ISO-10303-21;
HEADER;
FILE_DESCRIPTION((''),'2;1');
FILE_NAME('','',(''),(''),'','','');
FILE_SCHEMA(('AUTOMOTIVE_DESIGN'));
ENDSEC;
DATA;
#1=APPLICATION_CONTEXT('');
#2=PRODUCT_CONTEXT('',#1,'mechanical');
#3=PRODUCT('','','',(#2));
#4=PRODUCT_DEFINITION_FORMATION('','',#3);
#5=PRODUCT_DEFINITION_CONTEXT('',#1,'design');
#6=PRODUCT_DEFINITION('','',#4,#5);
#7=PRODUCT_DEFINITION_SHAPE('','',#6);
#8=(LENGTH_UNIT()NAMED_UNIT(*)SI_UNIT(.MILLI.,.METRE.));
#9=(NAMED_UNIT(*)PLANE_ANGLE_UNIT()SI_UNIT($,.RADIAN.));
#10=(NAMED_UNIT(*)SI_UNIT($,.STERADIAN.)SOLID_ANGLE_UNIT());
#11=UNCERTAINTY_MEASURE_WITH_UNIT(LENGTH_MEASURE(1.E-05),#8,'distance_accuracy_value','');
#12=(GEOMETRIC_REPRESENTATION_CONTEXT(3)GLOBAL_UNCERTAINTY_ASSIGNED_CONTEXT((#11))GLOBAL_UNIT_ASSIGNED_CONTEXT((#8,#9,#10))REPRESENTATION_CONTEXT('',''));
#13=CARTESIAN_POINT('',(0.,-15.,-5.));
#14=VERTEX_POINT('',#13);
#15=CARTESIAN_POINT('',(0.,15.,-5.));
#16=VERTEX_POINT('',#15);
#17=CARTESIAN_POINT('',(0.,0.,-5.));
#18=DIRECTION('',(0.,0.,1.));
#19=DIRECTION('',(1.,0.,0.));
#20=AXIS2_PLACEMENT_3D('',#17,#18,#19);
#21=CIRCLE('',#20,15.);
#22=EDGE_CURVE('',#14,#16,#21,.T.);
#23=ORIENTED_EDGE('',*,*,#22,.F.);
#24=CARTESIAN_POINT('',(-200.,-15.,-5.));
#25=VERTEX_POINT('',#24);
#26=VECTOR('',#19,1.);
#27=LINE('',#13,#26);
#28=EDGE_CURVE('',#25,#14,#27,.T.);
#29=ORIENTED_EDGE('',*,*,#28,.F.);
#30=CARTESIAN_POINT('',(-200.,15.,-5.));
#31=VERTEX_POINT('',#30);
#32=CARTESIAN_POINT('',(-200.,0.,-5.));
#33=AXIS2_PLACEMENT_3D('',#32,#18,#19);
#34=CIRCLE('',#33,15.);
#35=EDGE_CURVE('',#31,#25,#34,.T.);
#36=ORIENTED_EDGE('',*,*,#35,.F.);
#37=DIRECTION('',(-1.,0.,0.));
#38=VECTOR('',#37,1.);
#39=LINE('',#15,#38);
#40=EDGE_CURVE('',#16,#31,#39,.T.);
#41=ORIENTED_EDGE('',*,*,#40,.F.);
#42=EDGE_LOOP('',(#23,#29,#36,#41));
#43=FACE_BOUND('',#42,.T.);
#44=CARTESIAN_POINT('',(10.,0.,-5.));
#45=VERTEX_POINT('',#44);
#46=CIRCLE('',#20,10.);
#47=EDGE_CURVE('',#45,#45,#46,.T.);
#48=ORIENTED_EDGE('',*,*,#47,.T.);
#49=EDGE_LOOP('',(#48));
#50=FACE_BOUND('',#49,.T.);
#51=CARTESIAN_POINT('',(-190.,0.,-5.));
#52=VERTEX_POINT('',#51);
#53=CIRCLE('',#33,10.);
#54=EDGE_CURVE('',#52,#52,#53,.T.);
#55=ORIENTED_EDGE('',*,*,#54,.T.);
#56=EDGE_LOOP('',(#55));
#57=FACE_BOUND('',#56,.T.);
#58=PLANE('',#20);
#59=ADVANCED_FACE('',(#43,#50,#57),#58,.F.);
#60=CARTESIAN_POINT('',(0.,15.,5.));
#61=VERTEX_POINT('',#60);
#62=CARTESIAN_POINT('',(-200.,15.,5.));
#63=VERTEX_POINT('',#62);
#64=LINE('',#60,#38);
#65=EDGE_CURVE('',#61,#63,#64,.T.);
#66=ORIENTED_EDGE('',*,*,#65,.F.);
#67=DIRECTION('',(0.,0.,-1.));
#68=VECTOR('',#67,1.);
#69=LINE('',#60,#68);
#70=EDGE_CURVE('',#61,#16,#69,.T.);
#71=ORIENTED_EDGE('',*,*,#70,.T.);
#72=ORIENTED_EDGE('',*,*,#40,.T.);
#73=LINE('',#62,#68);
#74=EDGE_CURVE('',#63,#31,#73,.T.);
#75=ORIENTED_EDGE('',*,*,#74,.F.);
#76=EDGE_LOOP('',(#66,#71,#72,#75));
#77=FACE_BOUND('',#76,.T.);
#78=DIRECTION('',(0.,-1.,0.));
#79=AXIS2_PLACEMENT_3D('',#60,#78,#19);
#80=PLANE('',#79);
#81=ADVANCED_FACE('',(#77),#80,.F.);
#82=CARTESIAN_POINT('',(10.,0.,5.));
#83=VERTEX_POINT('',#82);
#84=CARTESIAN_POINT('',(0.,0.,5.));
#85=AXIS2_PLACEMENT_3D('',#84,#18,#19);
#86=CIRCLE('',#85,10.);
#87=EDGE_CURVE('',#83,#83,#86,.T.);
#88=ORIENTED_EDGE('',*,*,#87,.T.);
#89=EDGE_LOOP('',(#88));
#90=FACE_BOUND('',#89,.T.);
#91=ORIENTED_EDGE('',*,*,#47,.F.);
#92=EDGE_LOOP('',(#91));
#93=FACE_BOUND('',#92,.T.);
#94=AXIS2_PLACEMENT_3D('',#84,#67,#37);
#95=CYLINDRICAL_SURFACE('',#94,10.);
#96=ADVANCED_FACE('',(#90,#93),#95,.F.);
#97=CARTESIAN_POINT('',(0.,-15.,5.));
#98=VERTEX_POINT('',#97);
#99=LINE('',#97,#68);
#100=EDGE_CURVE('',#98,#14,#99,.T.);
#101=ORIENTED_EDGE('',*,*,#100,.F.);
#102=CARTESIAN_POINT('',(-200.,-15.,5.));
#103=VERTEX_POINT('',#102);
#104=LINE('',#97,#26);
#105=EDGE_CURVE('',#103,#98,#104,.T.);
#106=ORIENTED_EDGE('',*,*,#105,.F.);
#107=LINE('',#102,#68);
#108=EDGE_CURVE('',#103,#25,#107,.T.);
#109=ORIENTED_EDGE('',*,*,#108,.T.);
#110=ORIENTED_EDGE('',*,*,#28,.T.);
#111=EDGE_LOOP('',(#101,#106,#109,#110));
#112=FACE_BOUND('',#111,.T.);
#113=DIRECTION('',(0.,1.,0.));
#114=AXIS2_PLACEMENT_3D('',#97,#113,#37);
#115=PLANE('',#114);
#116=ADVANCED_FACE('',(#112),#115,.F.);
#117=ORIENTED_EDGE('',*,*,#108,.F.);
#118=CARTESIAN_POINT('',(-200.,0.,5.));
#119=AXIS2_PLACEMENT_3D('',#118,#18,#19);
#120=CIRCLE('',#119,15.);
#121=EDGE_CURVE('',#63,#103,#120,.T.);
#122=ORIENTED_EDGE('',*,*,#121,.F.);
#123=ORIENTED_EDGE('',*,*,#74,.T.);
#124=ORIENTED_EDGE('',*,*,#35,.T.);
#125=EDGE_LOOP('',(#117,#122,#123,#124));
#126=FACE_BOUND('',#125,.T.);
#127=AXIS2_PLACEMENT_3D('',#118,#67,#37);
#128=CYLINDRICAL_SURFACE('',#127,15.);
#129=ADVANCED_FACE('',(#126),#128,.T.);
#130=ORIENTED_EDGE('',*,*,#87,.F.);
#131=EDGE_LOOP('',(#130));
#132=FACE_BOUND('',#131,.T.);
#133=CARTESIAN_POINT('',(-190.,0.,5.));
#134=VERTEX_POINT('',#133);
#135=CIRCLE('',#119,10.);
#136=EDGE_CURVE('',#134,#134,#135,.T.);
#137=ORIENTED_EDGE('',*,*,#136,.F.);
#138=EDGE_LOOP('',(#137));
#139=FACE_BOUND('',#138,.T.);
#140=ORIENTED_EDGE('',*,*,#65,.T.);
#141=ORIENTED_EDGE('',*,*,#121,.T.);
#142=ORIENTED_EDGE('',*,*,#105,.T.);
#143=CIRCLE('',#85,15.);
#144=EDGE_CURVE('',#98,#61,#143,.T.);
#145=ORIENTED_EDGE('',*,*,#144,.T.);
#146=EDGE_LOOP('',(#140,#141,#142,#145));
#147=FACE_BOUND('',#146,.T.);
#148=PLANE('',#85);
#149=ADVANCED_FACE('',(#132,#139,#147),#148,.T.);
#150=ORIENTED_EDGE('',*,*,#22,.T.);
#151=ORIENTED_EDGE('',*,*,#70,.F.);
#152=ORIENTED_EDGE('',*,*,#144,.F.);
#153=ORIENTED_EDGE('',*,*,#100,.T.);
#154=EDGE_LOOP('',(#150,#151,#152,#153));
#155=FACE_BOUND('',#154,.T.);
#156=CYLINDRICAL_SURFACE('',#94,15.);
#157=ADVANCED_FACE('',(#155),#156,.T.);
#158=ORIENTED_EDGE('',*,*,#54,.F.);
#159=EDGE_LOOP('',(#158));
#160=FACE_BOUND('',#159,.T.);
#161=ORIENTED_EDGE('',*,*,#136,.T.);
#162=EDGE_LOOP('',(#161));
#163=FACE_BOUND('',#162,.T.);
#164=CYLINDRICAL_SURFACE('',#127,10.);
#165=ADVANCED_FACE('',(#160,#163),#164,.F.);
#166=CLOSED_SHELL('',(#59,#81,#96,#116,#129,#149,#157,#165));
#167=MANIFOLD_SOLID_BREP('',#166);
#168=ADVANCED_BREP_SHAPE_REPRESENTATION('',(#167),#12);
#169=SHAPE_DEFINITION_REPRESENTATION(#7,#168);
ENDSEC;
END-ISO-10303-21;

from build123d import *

# Parameters (mm, degrees)
ESQUISSE1_R        = 10
BOSS_EXTRU_1_DEPTH = 5


with BuildPart() as part:
    # Esquisse1 → Boss.-Extru.1 (new, symmetric)
    with BuildSketch(Plane.XY):
        with BuildLine():
            Line((0, -15), (-200, -15))
            ThreePointArc((-200, -15), (-215, 0), (-200, 15))
            Line((-200, 15), (0, 15))
            ThreePointArc((0, 15), (15, 0), (0, -15))
        make_face()
        with Locations((-200, 0)):
            Circle(ESQUISSE1_R, mode=Mode.SUBTRACT)
        Circle(ESQUISSE1_R, mode=Mode.SUBTRACT)
    extrude(amount=BOSS_EXTRU_1_DEPTH, both=True)


solid = part.part
